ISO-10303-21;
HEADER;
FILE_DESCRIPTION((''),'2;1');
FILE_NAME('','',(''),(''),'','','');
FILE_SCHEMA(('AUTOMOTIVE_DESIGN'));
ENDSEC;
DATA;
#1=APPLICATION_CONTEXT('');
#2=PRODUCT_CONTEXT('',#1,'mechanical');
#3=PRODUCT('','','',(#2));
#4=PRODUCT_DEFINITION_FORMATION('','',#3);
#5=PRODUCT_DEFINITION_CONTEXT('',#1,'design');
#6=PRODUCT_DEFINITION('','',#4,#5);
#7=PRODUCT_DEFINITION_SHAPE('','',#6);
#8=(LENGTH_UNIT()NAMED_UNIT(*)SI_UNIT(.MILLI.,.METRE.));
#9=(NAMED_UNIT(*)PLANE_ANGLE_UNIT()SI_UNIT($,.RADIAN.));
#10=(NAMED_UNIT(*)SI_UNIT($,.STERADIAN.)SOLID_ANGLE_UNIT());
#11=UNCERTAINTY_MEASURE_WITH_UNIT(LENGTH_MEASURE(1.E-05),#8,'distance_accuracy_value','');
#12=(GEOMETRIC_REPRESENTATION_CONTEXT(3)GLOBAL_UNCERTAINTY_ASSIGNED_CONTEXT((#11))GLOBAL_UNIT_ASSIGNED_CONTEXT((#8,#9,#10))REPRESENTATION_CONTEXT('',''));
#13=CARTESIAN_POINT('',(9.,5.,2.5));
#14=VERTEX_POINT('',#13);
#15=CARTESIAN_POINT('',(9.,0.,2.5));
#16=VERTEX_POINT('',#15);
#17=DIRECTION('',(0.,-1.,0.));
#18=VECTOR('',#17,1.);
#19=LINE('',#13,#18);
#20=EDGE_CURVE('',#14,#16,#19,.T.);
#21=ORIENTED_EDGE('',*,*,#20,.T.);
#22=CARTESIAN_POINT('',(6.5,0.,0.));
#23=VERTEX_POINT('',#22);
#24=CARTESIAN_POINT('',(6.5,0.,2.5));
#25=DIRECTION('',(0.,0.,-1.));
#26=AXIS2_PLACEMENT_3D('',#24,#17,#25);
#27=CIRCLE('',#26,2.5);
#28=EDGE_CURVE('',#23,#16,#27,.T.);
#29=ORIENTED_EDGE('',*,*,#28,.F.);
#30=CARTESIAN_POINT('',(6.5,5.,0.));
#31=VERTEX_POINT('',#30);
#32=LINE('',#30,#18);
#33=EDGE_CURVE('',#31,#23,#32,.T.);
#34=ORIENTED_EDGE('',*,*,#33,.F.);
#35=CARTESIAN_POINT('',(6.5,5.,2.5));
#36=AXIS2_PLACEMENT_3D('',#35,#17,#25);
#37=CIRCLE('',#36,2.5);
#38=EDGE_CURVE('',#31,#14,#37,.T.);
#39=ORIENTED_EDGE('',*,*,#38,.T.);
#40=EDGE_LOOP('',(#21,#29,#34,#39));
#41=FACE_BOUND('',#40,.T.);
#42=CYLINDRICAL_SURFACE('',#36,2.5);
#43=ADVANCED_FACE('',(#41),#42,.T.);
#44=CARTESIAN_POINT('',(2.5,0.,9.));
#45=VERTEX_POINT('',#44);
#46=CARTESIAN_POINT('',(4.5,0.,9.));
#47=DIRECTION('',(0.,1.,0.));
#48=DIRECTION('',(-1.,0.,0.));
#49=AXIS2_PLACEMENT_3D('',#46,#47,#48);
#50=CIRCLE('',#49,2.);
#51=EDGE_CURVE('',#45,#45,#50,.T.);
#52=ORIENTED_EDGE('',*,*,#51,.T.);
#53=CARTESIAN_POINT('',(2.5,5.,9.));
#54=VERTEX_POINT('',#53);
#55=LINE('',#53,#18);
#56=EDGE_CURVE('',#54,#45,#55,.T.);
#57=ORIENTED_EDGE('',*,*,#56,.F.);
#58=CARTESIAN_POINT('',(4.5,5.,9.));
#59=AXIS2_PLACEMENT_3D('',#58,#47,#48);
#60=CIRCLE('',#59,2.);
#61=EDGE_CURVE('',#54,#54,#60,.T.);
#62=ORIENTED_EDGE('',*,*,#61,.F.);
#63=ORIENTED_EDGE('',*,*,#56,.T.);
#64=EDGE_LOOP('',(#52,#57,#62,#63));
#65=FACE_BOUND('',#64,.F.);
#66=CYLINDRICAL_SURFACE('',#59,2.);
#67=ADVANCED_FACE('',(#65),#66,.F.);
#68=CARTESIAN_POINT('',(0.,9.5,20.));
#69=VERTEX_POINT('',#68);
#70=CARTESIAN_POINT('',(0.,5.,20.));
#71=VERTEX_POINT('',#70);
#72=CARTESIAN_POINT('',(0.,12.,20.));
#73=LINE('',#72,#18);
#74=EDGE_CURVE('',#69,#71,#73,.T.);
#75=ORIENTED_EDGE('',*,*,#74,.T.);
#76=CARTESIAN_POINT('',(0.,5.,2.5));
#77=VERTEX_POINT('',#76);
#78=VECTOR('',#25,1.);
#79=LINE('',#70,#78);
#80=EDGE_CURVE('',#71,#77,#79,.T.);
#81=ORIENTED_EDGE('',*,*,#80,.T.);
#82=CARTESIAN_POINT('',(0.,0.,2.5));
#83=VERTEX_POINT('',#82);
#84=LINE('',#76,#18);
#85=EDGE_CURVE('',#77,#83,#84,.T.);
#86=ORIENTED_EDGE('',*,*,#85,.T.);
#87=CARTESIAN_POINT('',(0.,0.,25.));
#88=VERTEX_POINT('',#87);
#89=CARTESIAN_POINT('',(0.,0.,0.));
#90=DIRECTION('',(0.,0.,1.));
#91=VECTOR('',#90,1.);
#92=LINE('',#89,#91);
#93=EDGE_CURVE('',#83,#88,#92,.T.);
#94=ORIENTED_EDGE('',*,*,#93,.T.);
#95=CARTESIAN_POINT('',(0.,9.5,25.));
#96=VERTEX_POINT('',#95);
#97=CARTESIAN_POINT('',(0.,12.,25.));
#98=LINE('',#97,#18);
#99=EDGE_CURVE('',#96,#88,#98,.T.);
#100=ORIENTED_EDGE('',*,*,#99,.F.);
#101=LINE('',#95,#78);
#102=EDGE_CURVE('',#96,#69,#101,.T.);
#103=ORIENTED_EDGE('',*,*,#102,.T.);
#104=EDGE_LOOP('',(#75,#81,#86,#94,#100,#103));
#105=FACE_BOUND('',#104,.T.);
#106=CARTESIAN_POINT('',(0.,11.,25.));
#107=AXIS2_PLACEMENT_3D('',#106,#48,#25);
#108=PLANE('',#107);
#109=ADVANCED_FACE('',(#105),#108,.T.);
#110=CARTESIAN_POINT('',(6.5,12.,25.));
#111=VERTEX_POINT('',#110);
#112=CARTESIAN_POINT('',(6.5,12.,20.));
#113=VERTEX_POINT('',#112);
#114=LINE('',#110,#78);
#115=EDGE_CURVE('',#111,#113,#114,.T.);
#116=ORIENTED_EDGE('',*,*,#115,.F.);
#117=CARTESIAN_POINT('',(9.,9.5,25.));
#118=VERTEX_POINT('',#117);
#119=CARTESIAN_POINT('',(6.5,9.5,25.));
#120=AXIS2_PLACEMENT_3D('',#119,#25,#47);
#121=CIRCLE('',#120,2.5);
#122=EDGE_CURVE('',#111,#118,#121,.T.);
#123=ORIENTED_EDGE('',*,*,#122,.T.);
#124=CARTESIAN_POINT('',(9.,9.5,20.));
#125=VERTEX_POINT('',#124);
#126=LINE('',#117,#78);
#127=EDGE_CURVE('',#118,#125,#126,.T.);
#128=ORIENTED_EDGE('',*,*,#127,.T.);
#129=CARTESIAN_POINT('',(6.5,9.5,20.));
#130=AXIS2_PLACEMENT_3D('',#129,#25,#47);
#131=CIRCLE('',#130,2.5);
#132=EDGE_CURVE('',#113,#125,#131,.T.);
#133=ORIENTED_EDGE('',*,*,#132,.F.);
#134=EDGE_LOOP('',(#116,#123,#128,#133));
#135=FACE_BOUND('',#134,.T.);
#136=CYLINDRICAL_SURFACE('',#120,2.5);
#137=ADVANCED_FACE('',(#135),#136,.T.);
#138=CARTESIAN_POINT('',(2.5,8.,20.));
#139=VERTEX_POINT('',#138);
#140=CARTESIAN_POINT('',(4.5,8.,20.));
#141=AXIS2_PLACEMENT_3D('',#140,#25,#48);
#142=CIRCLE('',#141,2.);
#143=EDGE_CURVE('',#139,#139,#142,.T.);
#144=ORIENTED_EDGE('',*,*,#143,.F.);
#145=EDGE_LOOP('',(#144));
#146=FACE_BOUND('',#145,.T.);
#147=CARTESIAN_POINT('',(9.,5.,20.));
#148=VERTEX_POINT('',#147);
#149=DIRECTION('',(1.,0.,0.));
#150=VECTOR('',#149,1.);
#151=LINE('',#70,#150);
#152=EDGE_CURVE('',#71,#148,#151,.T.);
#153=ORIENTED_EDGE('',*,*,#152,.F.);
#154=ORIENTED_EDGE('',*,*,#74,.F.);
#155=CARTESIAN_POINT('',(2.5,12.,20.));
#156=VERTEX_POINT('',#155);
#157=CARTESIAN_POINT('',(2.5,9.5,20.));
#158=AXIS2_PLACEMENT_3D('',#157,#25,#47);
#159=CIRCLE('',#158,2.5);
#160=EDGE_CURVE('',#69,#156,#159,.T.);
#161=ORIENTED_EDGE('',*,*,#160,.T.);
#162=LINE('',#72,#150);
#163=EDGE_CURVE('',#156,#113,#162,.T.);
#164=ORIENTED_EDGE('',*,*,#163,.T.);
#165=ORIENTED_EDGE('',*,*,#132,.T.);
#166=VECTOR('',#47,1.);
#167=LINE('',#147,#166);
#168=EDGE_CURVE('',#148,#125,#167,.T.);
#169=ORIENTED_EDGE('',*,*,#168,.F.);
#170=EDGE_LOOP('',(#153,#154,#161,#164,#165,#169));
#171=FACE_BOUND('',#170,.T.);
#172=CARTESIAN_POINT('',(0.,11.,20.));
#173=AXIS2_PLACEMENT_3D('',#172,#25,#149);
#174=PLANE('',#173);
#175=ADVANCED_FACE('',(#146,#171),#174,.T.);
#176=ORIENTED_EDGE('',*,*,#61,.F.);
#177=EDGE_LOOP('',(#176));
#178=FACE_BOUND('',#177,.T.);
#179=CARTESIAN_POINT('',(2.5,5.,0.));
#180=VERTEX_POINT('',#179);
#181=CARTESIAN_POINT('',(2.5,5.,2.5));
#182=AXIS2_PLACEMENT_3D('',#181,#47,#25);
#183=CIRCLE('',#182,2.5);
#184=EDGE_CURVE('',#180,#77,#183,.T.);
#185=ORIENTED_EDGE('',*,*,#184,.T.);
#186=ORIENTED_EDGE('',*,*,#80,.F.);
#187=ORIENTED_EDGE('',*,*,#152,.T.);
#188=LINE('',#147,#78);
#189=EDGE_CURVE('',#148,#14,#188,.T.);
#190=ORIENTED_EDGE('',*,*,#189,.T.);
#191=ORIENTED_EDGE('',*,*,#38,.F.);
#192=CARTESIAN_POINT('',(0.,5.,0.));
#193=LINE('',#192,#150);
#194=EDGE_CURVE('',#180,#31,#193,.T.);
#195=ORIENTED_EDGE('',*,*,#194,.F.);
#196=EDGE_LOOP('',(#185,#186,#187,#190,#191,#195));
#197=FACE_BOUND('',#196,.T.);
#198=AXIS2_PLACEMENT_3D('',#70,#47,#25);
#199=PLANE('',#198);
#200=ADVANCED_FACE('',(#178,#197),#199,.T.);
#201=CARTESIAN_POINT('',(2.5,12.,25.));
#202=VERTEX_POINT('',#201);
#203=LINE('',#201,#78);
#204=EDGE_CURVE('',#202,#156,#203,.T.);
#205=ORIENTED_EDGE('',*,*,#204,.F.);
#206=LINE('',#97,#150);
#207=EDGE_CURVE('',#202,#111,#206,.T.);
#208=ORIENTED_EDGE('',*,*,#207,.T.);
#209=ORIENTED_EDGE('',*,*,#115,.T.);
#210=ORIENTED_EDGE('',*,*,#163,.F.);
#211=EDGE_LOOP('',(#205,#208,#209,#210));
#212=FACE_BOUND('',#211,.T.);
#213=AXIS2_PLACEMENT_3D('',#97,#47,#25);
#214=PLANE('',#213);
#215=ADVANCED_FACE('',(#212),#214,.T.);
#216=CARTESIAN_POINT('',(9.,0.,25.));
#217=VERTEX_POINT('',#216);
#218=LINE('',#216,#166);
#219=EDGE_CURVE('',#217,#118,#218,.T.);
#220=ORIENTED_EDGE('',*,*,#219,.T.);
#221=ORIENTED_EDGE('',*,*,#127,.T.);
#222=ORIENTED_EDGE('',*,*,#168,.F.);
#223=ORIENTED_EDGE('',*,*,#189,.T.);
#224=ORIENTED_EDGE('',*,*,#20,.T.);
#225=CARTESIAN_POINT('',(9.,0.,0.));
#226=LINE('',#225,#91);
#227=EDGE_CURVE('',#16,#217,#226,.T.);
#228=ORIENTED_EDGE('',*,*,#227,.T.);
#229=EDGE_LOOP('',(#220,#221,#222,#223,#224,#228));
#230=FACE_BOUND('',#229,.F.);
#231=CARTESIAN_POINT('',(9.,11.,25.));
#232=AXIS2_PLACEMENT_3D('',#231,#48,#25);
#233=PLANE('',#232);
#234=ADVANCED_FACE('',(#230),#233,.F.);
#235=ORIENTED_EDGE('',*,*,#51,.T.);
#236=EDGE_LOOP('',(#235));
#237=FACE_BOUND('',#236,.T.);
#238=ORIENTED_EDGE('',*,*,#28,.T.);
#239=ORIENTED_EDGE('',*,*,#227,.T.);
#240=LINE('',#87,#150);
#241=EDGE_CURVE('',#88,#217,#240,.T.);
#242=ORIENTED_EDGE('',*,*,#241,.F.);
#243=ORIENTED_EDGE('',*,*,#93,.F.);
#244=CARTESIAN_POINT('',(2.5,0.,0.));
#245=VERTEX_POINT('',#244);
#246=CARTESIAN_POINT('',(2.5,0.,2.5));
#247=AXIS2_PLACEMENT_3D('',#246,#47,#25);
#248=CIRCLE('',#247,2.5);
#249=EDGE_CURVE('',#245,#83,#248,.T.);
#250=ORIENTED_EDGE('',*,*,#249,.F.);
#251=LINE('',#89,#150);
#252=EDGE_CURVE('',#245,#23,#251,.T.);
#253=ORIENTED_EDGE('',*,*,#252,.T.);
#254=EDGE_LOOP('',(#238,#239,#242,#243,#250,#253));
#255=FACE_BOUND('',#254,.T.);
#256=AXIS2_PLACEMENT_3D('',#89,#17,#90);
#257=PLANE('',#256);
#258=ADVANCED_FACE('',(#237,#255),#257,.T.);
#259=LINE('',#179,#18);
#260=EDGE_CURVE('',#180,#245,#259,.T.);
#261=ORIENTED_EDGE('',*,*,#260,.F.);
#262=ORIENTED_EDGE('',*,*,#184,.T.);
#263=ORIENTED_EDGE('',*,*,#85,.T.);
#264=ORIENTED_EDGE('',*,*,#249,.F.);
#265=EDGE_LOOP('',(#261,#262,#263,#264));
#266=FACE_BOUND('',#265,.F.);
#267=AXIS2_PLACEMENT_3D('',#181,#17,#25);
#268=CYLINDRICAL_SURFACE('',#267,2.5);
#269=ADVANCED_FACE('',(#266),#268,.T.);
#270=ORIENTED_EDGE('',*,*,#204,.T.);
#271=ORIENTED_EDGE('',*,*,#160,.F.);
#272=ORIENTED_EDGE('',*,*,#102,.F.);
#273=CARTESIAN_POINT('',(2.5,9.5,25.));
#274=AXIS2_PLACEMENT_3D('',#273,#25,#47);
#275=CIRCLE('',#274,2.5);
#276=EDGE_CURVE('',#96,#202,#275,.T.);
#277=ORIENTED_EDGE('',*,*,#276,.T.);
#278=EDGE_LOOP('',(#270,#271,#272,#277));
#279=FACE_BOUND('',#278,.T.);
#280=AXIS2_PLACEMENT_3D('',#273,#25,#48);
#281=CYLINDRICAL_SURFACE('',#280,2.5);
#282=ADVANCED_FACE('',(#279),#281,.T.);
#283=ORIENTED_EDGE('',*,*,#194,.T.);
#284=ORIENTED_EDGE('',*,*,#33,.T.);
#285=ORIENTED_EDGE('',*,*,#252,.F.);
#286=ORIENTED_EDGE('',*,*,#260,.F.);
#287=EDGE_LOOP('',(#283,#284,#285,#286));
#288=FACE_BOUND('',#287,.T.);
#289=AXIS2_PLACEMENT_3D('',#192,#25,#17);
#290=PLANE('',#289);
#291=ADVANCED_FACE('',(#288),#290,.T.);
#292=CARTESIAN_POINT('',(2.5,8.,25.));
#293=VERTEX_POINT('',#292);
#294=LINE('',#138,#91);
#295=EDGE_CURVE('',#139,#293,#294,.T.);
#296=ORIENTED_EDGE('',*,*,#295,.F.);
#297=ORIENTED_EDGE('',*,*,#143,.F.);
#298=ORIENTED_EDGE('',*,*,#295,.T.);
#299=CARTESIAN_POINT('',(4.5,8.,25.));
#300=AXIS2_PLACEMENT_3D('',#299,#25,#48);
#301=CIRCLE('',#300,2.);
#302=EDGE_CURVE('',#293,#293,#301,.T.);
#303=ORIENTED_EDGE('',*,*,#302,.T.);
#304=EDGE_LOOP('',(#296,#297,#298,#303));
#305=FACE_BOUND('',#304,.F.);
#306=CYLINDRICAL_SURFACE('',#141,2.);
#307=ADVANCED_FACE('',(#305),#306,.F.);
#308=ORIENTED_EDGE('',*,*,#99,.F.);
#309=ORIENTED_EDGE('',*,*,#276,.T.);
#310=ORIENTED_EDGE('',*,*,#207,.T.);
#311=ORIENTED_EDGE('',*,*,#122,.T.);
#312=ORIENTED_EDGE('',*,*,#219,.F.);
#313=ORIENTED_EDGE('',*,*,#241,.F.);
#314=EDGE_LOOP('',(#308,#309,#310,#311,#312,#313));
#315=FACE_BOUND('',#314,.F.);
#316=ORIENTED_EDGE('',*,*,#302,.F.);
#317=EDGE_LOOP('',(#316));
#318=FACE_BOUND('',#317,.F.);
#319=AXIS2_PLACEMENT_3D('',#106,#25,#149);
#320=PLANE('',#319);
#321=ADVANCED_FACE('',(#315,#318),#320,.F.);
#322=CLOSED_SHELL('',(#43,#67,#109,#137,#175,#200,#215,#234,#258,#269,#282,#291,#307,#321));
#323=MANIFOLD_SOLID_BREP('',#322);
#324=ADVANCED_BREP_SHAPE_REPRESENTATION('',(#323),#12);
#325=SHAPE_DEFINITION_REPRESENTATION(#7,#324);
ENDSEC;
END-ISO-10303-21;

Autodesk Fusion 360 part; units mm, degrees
sketch "Sketch1" plane through (0, 0, 0) normal (1, 0, 0) x (0, 0, -1)
  line L0 (0, 0) -> (-25, 0)
  line L1 (-25, 0) -> (-25, 11)
  line L2 (-25, 11) -> (-20, 11)
  line L3 (0, 5) -> (0, 0)
  line L4 (0, 0) -> (0, 5)
  line L5 (-20, 5) -> (-20, 11)
  line L6 (-20, 5) -> (0, 5)
  point P0 (0, 5)
  point P1 (-20, 11)
  point P2 (-20, 5)
  point P3 (-25, 11)
  point P4 (-25, 0)
extrude "Extrude1" add sketch "Sketch1" along normal blind 9
sketch "Sketch2" plane through (0, 0, 20) normal (0, 0, -1) x (-1, 0, 0)
  line L0 (0, 5) -> (0, 11)
  line L1 (0, 11) -> (-9, 11)
  line L2 (-9, 11) -> (-9, 5)
  line L3 (-9, 5) -> (0, 5)
  circle A0 centre (-4.5, 8) radius 2
  dimension "d9" = 4
  dimension "d11" = 4.5
sketch "Sketch3" plane through (0, 5, 0) normal (0, 1, 0) x (-1, 0, 0)
  line L0 (0, 0) -> (0, 20)
  line L1 (0, 20) -> (-9, 20)
  line L2 (-9, 20) -> (-9, 0)
  line L3 (-9, 0) -> (0, 0)
  circle A0 centre (-4.5, 9) radius 2
  dimension "d12" = 4
  dimension "d14" = 4.5
extrude "Extrude2" cut sketch "Sketch3" against normal blind 13 contours A0
extrude "Extrude3" cut sketch "Sketch2" against normal blind 11 contours A0
fillet "Fillet1" radius 2.5 1 edges at (0, 2.5, 0)
fillet "Fillet2" radius 2.5 1 edges at (9, 2.5, 0)
extrude "Extrude4" add 1 faces at (6, 11, 23.3333) along direction (0, 1, 0) blind 1
fillet "Fillet3" radius 2.5 1 edges at (0, 12, 22.5)
fillet "Fillet4" radius 2.5 1 edges at (9, 12, 22.5)
